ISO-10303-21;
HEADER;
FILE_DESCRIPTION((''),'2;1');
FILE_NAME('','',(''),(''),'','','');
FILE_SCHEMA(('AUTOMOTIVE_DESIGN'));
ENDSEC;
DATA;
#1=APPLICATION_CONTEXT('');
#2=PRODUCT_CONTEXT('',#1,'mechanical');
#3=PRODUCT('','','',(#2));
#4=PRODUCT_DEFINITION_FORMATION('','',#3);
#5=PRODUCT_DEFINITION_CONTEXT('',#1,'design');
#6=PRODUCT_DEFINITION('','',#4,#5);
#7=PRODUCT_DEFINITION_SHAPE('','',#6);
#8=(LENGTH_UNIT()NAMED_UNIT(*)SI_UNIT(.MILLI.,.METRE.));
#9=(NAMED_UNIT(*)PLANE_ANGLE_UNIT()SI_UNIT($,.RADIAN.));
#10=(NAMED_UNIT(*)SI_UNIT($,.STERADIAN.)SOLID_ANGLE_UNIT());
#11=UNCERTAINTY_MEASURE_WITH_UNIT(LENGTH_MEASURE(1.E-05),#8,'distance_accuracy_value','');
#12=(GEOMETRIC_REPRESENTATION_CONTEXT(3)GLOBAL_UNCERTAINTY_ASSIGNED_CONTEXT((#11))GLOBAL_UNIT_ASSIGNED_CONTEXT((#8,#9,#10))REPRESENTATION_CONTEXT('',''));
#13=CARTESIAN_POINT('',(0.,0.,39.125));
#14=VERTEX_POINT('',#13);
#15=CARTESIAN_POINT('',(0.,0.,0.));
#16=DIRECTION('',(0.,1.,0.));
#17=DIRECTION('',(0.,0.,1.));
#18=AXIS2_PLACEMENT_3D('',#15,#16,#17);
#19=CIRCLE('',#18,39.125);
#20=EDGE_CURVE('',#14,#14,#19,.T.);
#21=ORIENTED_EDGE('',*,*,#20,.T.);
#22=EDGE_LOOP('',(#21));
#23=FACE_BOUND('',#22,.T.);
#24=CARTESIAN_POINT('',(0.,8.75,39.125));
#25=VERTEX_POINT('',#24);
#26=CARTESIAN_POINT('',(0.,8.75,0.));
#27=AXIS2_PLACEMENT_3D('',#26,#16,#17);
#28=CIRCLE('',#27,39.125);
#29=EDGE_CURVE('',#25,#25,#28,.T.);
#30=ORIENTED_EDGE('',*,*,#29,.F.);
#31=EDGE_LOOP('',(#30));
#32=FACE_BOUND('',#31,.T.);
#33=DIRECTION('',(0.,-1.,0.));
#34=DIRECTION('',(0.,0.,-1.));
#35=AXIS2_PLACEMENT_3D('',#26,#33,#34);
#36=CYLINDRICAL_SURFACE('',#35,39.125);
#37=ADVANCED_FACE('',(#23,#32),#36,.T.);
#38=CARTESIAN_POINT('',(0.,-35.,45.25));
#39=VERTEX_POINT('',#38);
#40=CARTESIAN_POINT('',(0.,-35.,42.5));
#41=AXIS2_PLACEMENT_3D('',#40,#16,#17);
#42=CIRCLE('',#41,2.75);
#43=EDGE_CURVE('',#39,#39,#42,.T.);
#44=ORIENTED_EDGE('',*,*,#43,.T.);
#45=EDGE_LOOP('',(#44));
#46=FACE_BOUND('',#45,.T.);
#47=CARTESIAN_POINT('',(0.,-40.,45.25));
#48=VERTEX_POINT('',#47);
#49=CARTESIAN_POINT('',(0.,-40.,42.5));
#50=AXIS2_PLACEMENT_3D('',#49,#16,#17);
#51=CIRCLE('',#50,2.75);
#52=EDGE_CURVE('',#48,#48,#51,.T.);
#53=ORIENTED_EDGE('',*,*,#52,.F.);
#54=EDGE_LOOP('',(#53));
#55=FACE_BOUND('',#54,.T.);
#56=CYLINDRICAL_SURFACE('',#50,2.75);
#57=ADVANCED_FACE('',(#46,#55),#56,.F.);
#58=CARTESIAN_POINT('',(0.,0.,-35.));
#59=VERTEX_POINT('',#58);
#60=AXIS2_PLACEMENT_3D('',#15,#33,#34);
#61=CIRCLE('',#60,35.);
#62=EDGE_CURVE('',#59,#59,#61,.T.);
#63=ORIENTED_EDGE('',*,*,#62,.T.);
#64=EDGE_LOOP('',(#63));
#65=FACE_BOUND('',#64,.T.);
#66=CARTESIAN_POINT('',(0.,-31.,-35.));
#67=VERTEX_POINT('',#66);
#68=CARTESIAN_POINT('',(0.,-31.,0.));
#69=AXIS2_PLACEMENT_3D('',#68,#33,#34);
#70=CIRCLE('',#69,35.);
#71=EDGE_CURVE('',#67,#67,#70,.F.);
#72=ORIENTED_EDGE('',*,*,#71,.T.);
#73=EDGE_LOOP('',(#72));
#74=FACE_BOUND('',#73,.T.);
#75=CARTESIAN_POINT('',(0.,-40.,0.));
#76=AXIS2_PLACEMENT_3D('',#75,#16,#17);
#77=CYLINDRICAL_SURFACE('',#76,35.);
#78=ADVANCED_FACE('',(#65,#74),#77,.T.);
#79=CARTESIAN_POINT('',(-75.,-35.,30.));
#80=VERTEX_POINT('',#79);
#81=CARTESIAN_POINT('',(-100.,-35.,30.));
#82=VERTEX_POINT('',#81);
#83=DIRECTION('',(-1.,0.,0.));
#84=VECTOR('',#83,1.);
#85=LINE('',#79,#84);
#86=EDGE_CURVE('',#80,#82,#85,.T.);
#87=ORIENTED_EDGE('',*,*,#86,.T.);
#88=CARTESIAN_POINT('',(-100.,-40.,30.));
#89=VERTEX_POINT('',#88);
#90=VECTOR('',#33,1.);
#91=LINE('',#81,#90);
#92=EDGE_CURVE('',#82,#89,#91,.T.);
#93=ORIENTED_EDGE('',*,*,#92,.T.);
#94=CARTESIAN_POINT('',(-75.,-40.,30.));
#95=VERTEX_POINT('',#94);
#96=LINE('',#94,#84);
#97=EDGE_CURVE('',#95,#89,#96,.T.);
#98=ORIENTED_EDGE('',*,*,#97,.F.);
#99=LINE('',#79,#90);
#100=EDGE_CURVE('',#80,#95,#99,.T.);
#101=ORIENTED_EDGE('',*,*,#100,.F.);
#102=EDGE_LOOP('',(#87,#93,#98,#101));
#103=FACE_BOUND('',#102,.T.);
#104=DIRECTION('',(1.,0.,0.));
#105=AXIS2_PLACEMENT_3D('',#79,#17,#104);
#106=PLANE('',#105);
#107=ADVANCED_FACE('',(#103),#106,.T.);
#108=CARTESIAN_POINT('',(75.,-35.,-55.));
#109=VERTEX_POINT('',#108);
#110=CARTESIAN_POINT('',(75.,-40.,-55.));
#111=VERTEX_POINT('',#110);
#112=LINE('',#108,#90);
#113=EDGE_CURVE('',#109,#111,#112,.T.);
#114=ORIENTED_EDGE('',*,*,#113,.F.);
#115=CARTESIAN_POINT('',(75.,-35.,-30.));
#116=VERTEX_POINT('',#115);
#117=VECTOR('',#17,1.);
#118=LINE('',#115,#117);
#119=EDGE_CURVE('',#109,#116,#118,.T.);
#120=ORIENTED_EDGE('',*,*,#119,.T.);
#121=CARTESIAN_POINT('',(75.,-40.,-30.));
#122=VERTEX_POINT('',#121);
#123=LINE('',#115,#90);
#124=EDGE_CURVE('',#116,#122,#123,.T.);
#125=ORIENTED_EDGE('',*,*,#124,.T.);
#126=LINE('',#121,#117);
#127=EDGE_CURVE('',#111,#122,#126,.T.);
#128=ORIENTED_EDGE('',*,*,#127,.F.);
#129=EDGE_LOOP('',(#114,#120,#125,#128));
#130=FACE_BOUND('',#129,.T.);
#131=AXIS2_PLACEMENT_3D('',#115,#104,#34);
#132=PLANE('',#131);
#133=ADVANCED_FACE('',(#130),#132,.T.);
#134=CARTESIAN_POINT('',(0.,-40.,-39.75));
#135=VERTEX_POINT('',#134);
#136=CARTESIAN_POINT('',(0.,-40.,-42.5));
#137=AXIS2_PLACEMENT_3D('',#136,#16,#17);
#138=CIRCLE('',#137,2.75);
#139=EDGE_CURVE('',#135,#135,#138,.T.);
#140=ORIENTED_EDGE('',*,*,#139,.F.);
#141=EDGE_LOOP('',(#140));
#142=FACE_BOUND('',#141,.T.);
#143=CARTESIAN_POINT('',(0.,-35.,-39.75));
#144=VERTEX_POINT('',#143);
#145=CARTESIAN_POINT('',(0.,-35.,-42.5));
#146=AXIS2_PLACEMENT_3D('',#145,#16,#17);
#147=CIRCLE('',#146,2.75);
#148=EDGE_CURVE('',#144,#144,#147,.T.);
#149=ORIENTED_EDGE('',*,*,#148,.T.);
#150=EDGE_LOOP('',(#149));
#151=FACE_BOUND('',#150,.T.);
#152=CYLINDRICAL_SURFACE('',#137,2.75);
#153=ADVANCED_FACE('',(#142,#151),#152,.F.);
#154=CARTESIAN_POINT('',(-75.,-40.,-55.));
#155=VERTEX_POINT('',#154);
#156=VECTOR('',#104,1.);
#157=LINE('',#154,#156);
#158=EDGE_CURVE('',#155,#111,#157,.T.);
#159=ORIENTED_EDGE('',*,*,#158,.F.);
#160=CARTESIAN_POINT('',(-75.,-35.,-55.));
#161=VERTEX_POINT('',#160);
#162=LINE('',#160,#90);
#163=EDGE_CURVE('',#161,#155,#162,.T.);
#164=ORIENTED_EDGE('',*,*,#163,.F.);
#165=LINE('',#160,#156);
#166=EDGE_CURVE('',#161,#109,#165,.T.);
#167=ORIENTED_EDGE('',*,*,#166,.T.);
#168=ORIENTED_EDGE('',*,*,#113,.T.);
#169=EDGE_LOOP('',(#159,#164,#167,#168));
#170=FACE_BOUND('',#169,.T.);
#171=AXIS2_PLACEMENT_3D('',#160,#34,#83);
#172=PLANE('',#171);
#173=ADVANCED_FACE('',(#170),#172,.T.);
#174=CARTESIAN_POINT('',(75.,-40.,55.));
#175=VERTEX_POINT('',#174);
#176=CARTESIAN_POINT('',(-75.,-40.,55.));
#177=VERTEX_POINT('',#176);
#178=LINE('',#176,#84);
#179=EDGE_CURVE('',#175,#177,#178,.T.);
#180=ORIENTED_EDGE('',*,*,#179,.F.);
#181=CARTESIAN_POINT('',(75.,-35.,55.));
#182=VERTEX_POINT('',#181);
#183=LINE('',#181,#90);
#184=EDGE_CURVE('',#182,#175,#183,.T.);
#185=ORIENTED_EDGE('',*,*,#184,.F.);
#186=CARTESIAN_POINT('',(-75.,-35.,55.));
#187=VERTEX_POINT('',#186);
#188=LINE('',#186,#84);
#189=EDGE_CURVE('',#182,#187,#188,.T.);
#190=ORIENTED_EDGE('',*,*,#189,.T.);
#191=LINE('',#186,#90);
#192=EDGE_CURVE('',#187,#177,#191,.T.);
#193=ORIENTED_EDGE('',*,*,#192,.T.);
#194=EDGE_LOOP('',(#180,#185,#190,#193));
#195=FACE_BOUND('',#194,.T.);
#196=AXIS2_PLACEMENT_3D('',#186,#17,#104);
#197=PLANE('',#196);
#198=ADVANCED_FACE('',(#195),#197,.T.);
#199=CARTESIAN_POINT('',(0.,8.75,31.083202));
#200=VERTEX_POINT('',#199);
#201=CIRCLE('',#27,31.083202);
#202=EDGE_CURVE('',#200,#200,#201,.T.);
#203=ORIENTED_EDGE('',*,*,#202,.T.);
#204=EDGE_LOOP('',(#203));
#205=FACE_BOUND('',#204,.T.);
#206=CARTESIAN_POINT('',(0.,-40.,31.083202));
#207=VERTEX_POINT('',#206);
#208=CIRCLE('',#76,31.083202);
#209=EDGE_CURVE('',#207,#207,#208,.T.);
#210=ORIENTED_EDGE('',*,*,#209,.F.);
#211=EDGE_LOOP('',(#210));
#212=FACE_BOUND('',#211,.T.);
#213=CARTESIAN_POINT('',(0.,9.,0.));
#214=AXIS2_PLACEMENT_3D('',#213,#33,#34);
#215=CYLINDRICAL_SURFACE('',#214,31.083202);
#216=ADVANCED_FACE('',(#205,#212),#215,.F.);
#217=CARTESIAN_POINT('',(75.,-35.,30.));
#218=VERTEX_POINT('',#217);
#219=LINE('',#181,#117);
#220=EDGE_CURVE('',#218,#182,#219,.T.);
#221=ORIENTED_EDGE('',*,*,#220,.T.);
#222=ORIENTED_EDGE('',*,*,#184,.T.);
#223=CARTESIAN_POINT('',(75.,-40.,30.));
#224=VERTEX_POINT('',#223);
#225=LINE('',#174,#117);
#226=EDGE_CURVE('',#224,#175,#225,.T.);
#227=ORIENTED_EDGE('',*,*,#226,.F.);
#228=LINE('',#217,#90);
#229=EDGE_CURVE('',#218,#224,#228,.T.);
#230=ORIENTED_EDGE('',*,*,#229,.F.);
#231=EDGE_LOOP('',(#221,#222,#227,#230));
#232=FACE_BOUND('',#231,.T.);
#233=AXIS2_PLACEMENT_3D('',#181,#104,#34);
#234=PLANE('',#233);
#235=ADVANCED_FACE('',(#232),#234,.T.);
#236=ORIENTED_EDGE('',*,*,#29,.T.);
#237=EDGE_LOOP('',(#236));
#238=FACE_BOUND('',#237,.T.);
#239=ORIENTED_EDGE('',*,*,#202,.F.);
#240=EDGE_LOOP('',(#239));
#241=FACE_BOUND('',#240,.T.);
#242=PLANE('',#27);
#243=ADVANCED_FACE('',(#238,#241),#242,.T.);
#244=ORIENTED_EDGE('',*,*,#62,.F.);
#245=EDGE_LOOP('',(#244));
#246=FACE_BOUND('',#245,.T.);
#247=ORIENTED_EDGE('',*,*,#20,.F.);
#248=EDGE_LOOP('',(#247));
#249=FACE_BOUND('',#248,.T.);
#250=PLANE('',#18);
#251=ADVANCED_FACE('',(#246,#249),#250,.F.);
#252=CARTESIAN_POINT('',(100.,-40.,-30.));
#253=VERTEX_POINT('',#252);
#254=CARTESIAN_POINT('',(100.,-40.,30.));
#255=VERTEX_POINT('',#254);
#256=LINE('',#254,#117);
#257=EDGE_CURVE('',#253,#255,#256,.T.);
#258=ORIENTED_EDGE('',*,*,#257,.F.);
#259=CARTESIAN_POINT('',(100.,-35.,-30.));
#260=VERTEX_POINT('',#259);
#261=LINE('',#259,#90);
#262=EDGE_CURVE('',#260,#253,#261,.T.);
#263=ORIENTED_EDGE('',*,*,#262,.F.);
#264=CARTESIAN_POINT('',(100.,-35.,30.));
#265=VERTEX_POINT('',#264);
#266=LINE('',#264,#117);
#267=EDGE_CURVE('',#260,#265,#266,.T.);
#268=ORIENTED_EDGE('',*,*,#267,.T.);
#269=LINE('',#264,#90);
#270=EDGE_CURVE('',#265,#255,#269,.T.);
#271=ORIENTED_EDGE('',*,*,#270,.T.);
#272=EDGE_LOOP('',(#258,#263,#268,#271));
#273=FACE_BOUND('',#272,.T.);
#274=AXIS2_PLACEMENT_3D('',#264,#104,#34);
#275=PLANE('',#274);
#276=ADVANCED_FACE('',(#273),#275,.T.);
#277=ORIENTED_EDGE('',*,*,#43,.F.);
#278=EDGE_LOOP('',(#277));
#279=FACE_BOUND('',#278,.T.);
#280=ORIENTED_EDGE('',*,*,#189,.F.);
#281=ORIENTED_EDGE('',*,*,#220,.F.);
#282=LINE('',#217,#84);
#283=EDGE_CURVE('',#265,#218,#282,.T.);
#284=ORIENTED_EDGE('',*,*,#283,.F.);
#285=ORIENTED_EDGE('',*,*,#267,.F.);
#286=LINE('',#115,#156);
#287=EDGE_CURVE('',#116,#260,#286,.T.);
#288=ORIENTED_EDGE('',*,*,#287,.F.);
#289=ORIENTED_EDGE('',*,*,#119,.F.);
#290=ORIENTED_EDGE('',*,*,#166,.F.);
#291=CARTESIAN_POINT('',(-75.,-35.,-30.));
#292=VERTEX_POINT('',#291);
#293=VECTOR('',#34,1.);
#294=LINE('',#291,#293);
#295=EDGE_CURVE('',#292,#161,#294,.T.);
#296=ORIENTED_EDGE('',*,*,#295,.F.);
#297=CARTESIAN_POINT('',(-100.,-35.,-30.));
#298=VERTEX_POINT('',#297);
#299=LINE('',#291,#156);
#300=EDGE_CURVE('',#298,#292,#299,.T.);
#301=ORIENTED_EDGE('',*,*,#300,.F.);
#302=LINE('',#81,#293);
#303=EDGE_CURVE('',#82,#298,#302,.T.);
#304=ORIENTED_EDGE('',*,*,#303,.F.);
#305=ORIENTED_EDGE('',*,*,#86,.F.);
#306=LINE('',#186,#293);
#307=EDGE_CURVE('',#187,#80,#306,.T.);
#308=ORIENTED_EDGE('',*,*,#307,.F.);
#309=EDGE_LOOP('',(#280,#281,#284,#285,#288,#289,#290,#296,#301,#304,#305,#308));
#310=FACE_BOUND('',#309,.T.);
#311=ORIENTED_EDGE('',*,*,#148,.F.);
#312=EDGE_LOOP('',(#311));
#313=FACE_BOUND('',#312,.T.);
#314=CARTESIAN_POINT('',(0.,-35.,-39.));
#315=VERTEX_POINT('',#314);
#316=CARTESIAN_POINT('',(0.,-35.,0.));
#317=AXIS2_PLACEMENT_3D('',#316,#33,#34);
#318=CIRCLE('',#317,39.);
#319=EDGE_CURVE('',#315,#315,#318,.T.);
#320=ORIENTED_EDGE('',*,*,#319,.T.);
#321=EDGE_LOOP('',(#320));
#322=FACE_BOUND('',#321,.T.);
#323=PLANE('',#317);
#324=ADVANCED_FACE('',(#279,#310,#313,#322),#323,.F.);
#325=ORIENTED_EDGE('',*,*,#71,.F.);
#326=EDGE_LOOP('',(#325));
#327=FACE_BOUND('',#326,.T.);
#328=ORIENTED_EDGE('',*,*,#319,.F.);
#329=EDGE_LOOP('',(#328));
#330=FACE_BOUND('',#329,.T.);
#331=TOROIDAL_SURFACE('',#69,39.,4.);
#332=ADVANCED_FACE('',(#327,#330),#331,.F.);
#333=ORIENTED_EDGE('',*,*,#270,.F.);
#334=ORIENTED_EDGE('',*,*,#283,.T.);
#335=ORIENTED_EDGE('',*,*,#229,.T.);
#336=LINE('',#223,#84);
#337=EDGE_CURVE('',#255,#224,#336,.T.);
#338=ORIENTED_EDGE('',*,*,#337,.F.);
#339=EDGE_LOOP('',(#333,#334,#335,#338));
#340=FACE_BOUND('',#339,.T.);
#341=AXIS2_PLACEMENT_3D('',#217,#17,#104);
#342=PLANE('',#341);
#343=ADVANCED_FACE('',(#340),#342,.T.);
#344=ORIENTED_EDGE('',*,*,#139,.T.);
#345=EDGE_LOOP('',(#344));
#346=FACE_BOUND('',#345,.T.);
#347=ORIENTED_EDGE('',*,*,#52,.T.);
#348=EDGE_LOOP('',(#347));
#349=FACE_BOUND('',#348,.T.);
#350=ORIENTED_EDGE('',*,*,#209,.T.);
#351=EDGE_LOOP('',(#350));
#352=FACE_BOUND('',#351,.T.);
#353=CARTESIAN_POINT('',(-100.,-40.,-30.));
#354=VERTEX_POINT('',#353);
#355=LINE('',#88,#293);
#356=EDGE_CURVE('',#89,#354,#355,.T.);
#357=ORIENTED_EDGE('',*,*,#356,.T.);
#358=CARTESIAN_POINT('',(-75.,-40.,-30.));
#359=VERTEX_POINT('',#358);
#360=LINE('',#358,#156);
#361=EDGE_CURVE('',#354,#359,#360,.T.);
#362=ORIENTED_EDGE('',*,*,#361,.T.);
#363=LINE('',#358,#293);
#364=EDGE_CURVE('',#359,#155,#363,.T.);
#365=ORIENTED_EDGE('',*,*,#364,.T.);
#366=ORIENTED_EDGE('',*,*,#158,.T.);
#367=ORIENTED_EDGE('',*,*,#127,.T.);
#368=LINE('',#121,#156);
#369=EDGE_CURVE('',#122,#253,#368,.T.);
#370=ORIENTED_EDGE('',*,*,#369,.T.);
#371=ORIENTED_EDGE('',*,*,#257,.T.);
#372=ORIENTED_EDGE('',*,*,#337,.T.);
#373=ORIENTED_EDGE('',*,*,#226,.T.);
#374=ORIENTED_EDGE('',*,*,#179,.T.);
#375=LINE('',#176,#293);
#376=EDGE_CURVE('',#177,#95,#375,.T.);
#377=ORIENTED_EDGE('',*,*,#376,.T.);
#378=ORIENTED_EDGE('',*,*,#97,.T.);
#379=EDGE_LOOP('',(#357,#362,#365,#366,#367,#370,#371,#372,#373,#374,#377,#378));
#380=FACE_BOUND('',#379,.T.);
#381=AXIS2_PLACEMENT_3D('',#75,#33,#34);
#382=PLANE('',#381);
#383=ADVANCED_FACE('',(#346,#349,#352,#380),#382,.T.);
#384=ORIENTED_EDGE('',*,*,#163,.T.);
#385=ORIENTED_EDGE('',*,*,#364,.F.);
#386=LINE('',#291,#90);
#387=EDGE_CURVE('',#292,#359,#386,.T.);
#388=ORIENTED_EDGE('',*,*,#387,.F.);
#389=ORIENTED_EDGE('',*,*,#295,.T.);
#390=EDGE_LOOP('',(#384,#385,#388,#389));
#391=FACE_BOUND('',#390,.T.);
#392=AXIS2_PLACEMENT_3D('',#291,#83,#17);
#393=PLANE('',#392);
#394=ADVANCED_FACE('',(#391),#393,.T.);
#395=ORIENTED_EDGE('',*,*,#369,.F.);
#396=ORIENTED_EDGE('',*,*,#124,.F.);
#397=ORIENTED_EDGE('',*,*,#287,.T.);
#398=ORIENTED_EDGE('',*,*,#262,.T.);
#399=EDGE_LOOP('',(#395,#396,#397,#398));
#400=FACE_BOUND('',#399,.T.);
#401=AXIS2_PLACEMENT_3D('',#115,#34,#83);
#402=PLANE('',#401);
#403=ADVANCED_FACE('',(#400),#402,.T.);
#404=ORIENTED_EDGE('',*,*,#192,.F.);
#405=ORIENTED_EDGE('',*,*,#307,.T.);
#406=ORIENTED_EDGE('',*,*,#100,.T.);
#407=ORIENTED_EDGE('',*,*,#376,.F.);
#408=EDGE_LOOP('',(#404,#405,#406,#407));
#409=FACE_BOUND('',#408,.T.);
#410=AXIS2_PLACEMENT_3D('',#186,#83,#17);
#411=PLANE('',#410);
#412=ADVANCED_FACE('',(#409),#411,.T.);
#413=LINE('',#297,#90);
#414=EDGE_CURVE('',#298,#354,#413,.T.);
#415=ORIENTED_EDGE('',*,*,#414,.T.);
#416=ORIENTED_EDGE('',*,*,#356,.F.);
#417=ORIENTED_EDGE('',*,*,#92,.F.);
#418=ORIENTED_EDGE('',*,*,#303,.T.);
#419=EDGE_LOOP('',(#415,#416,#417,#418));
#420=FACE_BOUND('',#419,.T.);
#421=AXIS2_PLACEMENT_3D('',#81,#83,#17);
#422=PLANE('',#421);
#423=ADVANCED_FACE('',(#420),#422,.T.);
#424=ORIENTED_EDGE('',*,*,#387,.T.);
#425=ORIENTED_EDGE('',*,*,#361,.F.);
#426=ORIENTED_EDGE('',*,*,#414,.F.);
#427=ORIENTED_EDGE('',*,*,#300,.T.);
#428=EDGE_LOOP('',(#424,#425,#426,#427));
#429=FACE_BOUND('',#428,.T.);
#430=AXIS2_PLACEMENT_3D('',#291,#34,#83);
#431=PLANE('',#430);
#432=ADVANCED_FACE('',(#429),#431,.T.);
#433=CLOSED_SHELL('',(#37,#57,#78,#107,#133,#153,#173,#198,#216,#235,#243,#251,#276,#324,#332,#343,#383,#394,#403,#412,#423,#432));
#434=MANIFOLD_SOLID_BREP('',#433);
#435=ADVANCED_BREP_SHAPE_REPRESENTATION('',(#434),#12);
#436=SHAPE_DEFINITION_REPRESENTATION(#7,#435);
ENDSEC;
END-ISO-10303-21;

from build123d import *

# Parameters (mm, degrees)
SKETCH1_R           = 39.125
BOSS_EXTRUDE1_DEPTH = 8.75
SKETCH4_R           = 31.083201595
CUT_EXTRUDE1_DEPTH  = 9
BOSS_EXTRUDE3_START = 40
SKETCH5_R           = 35
SKETCH5_R_2         = 31.083201595
BOSS_EXTRUDE3_DEPTH = 40
SKETCH8_R           = 50
BOSS_EXTRUDE4_DEPTH = 5
SKETCH10_R          = 2.75
CUT_EXTRUDE2_DEPTH  = 5
CUT_EXTRUDE3_START  = -5
SKETCH11_R          = 31.083201595
CUT_EXTRUDE3_DEPTH  = 5
SKETCH12_R          = 2.75
SKETCH12_R_2        = 31.083201595
BOSS_EXTRUDE5_DEPTH = 5
FILLET2_R           = 4


with BuildPart() as part:
    # Sketch1 → Boss-Extrude1 (new body)
    with BuildSketch(Plane(origin=(0, 0, 0), x_dir=(1, 0, 0), z_dir=(0, 1, 0))):
        with Locations(Location((0, 0, 0), (0, 0, 270))):
            Circle(SKETCH1_R)
    extrude(amount=BOSS_EXTRUDE1_DEPTH)

    # Sketch4 → Cut-Extrude1 (cut)
    with BuildSketch(Plane.XZ):
        with Locations(Location((0, 0, 0), (0, 0, 270))):
            Circle(SKETCH4_R)
    extrude(amount=-CUT_EXTRUDE1_DEPTH, mode=Mode.SUBTRACT)

    # Sketch5 → Boss-Extrude3 (add)
    with BuildSketch(Plane.XZ.offset(BOSS_EXTRUDE3_START)):
        with Locations(Location((0, 0, 0), (0, 0, 270))):
            Circle(SKETCH5_R)
        with Locations(Location((0, 0, 0), (0, 0, 270))):
            Circle(SKETCH5_R_2, mode=Mode.SUBTRACT)
    extrude(amount=-BOSS_EXTRUDE3_DEPTH)

    # Sketch8 → Boss-Extrude4 (add)
    with BuildSketch(Plane.XZ.offset(40)):
        with Locations(Location((0, 0, 0), (0, 0, 270))):
            Circle(SKETCH8_R)
    extrude(amount=-BOSS_EXTRUDE4_DEPTH)

    # Sketch10 → Cut-Extrude2 (cut)
    with BuildSketch(Plane(origin=(0, -35, 0), x_dir=(1, 0, 0), z_dir=(0, 1, 0))):
        with Locations(Location((0, 42.5, 0), (0, 0, 270))):
            Circle(SKETCH10_R)
        with Locations(Location((42.5, 0, 0), (0, 0, 270))):
            Circle(SKETCH10_R)
        with Locations(Location((0, -42.5, 0), (0, 0, 270))):
            Circle(SKETCH10_R)
        with Locations(Location((-42.5, 0, 0), (0, 0, 270))):
            Circle(SKETCH10_R)
    extrude(amount=-CUT_EXTRUDE2_DEPTH, mode=Mode.SUBTRACT)

    # Sketch11 → Cut-Extrude3 (cut)
    with BuildSketch(Plane(origin=(0, -35, 0), x_dir=(1, 0, 0), z_dir=(0, 1, 0)).offset(CUT_EXTRUDE3_START)):
        with Locations(Location((0, 0, 0), (0, 0, 270))):
            Circle(SKETCH11_R)
    extrude(amount=CUT_EXTRUDE3_DEPTH, mode=Mode.SUBTRACT)

    # Sketch12 → Boss-Extrude5 (add)
    with BuildSketch(Plane.XZ.offset(40)):
        Polygon((-75, 55), (75, 55), (75, 30), (100, 30), (100, -30), (75, -30), (75, -55), (-75, -55), (-75, -30), (-100, -30), (-100, 30), (-75, 30), align=None)
        with Locations(Location((0, 42.5, 0), (0, 0, 90))):
            Circle(SKETCH12_R, mode=Mode.SUBTRACT)
        with Locations(Location((0, -42.5, 0), (0, 0, 90))):
            Circle(SKETCH12_R, mode=Mode.SUBTRACT)
        with Locations(Location((0, 0, 0), (0, 0, 90))):
            Circle(SKETCH12_R_2, mode=Mode.SUBTRACT)
    extrude(amount=-BOSS_EXTRUDE5_DEPTH)

    # Fillet2
    fillet2_edges = [part.edges().sort_by_distance(p)[0] for p in [
        (0, -35, 35),
    ]]
    fillet(fillet2_edges, radius=FILLET2_R)


solid = part.part
